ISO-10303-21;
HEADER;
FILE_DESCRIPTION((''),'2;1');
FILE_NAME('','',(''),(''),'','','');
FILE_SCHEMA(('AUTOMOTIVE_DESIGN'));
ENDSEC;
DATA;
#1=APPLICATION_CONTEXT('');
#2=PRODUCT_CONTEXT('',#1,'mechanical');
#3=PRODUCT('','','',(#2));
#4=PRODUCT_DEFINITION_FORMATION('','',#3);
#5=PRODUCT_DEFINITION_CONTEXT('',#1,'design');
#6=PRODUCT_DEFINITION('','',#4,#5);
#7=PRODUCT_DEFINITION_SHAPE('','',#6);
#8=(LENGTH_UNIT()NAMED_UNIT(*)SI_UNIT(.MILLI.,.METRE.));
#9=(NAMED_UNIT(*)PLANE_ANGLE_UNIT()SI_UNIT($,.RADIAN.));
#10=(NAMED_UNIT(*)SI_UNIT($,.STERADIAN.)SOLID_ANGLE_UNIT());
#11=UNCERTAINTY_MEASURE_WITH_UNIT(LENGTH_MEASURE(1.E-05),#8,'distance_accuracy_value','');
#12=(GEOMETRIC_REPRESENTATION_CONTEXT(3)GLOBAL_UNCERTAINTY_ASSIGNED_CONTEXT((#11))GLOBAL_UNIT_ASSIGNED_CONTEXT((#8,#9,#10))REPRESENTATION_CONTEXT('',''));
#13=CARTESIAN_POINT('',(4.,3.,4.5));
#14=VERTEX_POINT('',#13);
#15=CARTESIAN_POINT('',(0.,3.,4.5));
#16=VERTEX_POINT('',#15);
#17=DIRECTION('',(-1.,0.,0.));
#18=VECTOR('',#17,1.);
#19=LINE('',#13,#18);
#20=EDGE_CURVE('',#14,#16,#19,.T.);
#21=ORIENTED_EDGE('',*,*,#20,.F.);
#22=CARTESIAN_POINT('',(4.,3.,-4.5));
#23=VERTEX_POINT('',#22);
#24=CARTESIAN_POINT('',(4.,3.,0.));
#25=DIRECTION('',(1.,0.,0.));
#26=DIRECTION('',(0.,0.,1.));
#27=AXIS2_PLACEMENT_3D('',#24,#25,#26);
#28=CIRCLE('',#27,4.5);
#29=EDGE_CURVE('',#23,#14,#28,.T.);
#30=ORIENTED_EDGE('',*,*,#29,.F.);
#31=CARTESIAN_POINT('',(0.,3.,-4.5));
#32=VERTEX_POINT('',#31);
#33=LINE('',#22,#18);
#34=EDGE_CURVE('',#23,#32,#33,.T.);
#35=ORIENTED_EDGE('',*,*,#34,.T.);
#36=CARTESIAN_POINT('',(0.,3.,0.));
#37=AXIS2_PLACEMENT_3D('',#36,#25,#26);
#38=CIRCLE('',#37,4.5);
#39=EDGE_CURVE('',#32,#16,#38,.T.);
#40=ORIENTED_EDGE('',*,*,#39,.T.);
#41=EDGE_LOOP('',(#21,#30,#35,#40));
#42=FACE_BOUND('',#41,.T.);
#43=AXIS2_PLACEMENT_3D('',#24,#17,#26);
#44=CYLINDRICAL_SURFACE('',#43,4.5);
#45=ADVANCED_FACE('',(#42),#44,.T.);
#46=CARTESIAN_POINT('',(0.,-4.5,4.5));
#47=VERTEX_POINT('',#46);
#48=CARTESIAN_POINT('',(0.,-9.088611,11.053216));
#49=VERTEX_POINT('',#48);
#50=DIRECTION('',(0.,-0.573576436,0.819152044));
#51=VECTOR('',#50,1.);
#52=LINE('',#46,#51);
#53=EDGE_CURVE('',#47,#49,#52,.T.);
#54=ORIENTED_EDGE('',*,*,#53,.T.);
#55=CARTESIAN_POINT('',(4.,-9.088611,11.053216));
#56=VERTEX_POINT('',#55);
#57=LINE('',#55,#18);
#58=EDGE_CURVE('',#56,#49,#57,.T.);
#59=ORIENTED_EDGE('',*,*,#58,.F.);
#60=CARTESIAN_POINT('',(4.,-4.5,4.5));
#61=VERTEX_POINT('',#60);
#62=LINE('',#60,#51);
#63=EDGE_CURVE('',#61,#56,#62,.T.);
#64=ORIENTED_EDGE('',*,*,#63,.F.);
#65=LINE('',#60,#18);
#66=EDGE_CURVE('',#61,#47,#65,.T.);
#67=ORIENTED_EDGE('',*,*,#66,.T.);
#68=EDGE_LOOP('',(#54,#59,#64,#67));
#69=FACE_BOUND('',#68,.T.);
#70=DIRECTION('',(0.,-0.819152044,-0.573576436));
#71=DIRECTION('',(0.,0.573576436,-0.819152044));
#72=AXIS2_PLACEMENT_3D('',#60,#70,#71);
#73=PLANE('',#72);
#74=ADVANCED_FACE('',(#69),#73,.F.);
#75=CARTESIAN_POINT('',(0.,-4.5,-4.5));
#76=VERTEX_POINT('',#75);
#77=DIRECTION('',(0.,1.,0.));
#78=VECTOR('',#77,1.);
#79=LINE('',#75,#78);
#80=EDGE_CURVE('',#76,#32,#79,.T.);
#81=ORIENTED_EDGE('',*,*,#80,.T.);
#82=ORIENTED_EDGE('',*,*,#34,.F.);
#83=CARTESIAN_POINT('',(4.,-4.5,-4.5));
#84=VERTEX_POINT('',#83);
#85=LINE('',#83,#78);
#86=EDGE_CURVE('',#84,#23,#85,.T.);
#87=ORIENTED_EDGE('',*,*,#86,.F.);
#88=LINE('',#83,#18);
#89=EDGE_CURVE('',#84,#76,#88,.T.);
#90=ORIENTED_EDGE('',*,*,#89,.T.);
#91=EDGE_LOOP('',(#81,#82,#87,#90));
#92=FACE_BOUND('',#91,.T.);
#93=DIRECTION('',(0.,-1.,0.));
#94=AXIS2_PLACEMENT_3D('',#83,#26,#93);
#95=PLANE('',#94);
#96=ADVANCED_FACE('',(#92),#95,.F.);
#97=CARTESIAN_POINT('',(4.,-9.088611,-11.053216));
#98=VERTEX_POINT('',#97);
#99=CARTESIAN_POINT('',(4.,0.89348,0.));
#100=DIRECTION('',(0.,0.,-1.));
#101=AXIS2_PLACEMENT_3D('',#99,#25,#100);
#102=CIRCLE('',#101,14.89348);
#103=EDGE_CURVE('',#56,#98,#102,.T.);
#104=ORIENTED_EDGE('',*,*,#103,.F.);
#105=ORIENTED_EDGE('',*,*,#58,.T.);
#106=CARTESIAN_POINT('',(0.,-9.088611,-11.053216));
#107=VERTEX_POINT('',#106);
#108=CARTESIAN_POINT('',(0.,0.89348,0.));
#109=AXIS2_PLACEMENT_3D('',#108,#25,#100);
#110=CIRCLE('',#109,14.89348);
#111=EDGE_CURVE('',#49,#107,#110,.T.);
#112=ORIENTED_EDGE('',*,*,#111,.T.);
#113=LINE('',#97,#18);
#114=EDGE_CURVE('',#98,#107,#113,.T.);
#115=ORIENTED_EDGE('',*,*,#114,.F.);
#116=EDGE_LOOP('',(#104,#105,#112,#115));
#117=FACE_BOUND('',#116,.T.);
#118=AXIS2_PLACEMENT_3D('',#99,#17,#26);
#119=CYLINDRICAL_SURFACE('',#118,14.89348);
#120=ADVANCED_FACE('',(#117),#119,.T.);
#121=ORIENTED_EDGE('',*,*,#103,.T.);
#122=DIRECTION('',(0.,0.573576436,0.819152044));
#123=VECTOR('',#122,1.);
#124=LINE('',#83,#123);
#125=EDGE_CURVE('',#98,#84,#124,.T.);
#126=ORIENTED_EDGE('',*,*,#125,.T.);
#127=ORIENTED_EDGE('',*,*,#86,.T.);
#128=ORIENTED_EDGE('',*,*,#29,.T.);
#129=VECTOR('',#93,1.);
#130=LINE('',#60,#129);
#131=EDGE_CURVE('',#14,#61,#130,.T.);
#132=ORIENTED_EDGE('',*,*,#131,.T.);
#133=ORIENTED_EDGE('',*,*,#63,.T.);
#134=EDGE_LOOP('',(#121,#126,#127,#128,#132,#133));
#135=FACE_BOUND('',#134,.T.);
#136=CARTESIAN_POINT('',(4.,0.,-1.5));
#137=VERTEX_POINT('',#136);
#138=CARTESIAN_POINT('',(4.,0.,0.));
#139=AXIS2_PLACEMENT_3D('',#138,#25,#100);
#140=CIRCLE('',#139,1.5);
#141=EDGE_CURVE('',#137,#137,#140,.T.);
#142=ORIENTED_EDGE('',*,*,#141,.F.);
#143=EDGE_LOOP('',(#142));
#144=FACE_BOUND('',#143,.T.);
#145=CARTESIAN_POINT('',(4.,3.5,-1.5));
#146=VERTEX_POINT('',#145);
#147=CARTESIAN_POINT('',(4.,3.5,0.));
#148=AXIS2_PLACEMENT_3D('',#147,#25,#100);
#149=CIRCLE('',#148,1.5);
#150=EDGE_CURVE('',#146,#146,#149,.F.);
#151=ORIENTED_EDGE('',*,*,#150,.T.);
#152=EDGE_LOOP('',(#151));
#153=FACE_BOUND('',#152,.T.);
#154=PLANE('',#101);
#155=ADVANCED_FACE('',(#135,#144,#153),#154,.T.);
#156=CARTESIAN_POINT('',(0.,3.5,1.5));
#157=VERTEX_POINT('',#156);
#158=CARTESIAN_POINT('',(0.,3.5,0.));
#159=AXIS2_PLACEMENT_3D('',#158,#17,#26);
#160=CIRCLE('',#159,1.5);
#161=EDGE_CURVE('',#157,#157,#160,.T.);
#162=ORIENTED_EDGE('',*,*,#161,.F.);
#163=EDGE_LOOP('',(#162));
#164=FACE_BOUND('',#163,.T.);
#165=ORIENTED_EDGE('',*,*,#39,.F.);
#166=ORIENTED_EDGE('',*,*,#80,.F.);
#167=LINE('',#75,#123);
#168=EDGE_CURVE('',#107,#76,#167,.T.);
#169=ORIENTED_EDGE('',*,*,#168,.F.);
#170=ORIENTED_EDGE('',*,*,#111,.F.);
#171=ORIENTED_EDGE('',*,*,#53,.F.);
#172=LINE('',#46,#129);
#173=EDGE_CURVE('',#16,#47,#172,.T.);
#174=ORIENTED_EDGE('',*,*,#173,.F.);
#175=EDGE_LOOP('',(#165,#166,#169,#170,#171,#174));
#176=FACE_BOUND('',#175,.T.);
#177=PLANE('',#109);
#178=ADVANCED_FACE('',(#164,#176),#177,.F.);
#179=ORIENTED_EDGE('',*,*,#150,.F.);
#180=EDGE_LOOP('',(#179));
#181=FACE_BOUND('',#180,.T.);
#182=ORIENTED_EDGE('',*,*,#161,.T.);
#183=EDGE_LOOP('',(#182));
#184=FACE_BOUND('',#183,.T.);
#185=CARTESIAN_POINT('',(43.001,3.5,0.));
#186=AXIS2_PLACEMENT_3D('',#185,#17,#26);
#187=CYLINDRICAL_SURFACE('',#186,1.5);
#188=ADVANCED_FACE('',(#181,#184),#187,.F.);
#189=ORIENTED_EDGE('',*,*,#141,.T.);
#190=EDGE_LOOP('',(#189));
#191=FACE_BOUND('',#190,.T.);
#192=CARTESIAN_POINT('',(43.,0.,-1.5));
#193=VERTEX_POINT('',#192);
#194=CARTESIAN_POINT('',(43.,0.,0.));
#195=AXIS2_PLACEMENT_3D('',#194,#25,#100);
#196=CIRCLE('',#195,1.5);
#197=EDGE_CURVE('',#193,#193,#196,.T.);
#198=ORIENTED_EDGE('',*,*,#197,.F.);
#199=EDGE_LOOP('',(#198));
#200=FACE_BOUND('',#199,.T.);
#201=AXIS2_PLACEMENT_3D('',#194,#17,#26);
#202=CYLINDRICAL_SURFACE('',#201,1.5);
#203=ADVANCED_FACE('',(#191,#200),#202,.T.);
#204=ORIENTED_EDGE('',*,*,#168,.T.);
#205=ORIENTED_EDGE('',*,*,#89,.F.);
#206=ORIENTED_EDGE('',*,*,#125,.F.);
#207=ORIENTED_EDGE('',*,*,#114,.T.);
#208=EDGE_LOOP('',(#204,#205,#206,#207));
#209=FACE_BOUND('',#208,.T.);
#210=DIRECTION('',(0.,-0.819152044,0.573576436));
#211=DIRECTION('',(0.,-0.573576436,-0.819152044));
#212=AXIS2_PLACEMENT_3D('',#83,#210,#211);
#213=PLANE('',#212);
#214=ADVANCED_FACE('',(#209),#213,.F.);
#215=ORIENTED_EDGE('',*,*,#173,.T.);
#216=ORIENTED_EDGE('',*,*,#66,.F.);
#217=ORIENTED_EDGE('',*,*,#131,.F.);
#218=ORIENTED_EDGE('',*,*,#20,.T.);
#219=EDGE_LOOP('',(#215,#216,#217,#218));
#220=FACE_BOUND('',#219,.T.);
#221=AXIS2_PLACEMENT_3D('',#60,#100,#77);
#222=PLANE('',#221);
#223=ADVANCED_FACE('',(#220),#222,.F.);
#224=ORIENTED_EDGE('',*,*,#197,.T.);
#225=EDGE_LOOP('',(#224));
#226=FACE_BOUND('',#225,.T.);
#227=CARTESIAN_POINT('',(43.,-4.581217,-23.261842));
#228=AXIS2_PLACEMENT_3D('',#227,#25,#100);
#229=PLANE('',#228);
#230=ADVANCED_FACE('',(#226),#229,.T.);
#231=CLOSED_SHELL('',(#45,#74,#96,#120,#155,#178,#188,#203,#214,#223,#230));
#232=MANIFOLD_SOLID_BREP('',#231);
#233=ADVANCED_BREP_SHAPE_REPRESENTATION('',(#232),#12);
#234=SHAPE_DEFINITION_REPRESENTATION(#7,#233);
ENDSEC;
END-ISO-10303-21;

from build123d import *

# Parameters (mm, degrees)
SKETCH1_R           = 1.5
BOSS_EXTRUDE1_DEPTH = 4
SKETCH1_2_R         = 1.5
BOSS_EXTRUDE2_DEPTH = 43
CUT_EXTRUDE1_REACH  = 45
SKETCH2_R           = 1.5


with BuildPart() as part:
    # Sketch1 → Boss-Extrude1 (new body)
    with BuildSketch(Plane(origin=(0, 0, 0), x_dir=(0, 0, -1), z_dir=(1, 0, 0))):
        with BuildLine():
            Line((-4.5, -4.5), (-4.5, 3))
            ThreePointArc((-4.5, 3), (0, 7.5), (4.5, 3))
            Line((4.5, 3), (4.5, -4.5))
            Line((4.5, -4.5), (11.053216354, -9.088611491))
            ThreePointArc((11.053216354, -9.088611491), (0, -14), (-11.053216354, -9.088611491))
            Line((-11.053216354, -9.088611491), (-4.5, -4.5))
        make_face()
        Circle(SKETCH1_R, mode=Mode.SUBTRACT)
    extrude(amount=BOSS_EXTRUDE1_DEPTH)

    # Sketch1<2> → Boss-Extrude2 (add)
    with BuildSketch(Plane(origin=(0, 0, 0), x_dir=(0, 0, -1), z_dir=(1, 0, 0))):
        Circle(SKETCH1_2_R)
    extrude(amount=BOSS_EXTRUDE2_DEPTH)

    # Sketch2 → Cut-Extrude1 (cut, up to next)
    with BuildSketch(Plane.ZY, mode=Mode.PRIVATE) as cut_extrude1_sk1:
        with Locations((0, 3.5)):
            Circle(SKETCH2_R)
    cut_extrude1_tool1 = extrude(cut_extrude1_sk1.sketch, amount=-CUT_EXTRUDE1_REACH, mode=Mode.PRIVATE) & part.part
    add(cut_extrude1_tool1.solids().sort_by_distance((0, 3.5, 0))[0], mode=Mode.SUBTRACT)


solid = part.part
